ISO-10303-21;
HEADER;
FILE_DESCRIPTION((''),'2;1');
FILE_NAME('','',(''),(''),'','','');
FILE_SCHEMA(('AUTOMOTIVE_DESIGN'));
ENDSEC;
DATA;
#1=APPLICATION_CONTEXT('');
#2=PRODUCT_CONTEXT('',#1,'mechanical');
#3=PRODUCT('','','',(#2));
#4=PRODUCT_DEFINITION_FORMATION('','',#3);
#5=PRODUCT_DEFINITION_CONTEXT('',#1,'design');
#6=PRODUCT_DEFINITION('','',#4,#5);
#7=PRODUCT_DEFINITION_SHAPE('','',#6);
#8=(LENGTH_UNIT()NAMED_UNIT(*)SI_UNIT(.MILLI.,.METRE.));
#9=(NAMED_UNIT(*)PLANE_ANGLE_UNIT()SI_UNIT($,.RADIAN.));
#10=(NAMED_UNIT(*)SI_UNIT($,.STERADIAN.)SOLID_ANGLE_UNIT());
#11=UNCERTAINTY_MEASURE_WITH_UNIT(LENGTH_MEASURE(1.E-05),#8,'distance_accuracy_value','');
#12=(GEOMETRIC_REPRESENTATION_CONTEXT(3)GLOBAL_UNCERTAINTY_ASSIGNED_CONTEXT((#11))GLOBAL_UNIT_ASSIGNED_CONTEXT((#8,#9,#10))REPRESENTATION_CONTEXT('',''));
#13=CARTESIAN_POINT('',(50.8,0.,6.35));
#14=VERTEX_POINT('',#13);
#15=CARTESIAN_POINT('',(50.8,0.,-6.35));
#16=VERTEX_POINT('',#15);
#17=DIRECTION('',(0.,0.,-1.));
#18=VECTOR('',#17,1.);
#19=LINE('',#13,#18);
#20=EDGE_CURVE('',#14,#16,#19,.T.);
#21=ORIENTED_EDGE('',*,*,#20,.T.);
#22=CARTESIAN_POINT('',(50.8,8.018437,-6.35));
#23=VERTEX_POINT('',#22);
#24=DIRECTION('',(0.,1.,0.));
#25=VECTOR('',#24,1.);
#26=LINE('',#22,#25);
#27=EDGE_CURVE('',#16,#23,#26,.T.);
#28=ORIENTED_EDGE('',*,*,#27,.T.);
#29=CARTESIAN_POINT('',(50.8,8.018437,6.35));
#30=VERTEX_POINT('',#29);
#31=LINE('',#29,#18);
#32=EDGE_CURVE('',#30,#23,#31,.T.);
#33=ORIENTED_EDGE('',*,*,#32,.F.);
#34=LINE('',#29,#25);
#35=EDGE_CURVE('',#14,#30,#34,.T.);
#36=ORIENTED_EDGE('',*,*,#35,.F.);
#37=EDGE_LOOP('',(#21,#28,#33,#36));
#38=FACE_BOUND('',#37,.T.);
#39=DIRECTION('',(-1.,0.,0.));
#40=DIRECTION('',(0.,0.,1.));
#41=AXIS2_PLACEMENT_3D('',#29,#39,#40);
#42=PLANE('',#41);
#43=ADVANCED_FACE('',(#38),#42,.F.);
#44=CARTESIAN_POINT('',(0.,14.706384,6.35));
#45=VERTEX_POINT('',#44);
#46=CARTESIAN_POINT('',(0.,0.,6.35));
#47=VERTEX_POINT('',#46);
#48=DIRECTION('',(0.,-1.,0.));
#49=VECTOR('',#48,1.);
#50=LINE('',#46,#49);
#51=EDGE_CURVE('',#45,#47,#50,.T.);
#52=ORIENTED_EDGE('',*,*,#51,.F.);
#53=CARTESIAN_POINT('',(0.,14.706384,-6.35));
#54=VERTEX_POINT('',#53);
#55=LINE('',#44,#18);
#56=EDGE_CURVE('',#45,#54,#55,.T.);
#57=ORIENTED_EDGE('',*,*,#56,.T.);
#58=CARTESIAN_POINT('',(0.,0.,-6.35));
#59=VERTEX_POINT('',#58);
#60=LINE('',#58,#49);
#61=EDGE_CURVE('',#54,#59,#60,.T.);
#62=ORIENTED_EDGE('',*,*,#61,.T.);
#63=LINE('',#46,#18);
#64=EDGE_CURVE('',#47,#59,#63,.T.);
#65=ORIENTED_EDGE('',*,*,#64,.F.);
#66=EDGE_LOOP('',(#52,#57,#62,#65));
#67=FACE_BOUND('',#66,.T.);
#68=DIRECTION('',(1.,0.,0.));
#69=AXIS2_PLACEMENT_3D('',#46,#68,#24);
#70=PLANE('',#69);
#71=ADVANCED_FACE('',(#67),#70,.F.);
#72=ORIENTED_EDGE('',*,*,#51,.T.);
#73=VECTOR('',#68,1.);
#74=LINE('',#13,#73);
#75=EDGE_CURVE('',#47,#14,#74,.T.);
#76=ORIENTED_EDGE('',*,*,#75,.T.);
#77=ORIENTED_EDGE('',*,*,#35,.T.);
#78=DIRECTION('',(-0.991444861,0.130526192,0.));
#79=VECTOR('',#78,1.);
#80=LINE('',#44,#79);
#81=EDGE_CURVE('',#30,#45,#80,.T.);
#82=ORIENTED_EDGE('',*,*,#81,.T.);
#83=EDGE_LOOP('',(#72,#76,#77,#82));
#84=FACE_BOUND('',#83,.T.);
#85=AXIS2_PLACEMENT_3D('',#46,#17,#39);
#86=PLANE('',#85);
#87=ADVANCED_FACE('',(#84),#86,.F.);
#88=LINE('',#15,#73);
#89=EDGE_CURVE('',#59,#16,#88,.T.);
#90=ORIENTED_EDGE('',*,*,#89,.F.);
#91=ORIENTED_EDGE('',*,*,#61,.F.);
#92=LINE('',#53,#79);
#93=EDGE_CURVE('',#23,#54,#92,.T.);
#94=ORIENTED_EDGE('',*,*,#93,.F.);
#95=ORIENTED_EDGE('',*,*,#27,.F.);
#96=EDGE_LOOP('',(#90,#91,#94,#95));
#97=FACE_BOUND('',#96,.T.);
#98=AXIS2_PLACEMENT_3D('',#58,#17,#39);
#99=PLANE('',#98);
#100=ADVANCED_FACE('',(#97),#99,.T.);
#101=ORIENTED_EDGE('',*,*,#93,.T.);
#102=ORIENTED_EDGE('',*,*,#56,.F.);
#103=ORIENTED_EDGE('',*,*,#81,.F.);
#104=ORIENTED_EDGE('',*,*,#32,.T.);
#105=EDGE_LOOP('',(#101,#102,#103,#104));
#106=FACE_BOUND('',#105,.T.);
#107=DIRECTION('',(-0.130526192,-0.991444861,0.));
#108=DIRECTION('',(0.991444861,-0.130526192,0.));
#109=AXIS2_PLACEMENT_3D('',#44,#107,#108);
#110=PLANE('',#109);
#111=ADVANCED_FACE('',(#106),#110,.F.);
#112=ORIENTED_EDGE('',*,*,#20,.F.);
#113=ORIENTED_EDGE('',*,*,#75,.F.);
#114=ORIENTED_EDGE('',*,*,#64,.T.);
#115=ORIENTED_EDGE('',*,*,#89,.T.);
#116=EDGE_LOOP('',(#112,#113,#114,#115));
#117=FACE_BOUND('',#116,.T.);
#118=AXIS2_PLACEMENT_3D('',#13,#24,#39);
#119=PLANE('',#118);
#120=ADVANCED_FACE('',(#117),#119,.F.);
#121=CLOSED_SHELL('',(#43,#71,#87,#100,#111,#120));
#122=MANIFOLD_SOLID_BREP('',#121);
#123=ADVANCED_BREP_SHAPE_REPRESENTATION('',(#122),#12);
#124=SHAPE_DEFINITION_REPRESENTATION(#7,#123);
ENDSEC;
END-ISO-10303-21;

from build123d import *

# Parameters (mm, degrees)
BOSS_EXTRUDE1_DEPTH = 6.35


with BuildPart() as part:
    # Sketch1 → Boss-Extrude1 (new, symmetric)
    with BuildSketch(Plane.XY):
        Polygon((0, 0), (0, 14.706384063), (50.8, 8.018437186), (50.8, 0), align=None)
    extrude(amount=BOSS_EXTRUDE1_DEPTH, both=True)


solid = part.part
